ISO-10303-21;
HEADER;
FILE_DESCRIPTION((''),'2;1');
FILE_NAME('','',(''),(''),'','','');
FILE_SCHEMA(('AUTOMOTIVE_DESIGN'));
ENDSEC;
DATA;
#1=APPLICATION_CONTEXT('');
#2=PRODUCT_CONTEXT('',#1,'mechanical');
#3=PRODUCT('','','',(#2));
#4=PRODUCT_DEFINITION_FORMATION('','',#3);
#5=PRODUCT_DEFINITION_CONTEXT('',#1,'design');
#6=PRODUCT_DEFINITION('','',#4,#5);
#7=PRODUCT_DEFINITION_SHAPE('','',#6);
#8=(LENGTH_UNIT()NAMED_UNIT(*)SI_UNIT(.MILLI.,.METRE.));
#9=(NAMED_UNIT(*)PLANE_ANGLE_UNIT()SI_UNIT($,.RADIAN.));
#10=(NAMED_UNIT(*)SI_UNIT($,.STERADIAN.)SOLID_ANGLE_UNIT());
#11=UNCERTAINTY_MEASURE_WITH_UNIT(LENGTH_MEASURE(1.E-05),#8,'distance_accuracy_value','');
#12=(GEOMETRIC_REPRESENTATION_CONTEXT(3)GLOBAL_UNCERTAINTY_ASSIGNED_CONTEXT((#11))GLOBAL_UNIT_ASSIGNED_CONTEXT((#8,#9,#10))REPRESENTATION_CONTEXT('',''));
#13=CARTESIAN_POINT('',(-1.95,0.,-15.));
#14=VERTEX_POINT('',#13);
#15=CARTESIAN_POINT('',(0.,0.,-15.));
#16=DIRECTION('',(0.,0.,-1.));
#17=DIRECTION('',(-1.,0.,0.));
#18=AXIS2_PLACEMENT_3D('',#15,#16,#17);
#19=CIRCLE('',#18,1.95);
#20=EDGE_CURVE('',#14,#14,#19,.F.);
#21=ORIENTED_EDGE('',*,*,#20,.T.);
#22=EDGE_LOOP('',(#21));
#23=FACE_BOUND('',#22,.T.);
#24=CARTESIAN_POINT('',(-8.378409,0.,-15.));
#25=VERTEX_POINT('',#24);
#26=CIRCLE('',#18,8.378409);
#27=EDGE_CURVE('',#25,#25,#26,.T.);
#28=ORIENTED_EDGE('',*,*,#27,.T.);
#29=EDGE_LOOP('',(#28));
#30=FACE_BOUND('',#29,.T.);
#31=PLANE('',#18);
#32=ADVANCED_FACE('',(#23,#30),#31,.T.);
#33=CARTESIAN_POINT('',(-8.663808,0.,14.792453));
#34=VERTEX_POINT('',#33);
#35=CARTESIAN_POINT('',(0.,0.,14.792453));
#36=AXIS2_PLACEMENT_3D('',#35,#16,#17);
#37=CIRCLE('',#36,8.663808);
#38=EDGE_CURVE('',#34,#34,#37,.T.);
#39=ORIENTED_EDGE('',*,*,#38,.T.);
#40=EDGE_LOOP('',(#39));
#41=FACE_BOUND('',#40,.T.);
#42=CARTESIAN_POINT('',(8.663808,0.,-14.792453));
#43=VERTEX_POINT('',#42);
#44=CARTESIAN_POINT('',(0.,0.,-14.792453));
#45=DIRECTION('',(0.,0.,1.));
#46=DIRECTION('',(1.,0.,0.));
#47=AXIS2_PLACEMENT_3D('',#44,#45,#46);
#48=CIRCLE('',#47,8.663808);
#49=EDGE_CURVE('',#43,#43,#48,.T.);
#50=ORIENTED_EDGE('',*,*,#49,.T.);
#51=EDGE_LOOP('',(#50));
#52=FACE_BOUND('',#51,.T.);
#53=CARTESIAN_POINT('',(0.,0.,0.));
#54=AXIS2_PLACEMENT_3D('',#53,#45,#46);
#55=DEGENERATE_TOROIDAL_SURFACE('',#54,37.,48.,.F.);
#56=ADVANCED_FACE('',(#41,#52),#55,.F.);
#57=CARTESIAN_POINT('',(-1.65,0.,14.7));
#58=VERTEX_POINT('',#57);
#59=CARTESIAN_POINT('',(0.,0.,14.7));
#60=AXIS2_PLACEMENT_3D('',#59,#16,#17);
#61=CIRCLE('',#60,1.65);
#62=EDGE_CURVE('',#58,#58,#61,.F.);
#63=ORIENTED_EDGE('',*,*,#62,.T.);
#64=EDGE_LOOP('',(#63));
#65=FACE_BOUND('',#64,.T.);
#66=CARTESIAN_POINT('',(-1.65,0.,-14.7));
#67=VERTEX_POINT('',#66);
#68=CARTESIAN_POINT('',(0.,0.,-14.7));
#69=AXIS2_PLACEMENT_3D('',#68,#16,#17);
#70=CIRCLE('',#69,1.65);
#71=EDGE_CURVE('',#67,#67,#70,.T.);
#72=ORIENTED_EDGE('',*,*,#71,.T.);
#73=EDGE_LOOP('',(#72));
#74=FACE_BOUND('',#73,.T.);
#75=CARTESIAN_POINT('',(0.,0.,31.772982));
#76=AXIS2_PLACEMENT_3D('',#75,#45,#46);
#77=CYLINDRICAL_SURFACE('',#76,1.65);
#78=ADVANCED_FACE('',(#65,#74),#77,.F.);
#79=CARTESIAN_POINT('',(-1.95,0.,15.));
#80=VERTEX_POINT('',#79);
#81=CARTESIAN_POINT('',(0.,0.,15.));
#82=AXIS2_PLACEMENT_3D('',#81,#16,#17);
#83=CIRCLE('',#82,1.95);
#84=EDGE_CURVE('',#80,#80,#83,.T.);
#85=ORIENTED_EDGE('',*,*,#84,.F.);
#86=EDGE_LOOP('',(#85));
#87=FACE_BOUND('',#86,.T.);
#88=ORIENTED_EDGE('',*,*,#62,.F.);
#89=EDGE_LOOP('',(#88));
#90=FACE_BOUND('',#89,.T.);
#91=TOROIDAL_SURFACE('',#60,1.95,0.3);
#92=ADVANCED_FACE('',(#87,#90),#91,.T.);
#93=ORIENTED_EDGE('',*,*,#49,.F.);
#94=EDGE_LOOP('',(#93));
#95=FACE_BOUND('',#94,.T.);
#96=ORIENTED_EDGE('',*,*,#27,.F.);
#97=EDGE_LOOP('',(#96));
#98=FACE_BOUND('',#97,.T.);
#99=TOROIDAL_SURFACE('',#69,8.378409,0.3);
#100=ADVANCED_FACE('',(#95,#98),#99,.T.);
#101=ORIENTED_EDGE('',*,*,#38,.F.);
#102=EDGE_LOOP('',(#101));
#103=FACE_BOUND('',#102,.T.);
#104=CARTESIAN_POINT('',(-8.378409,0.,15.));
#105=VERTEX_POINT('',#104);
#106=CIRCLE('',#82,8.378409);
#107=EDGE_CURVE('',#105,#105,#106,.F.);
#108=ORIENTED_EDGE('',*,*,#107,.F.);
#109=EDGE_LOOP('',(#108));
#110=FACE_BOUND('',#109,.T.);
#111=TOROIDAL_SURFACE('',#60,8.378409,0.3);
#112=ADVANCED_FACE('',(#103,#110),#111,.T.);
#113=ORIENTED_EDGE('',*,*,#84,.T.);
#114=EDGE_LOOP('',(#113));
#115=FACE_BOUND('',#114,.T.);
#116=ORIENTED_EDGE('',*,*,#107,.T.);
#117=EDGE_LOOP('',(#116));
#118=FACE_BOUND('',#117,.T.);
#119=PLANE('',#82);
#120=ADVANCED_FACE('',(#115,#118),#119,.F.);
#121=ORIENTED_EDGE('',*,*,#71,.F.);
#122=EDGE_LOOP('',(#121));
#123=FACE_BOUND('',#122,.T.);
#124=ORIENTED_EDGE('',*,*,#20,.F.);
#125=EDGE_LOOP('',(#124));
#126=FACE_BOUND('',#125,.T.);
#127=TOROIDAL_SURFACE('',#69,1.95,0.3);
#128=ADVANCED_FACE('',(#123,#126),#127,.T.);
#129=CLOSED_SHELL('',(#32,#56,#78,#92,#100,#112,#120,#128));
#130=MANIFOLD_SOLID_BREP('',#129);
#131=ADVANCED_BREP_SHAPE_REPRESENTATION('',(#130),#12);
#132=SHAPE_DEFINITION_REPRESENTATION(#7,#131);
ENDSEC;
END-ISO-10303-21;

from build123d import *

# Parameters (mm, degrees)
VERRUNDUNG1_R = 0.3


with BuildPart() as part:
    # Skizze1 → Rotation3 (revolve)
    with BuildSketch(Plane(origin=(0, 0, 0), x_dir=(0, 0, -1), z_dir=(1, 0, 0)), mode=Mode.PRIVATE) as rotation3_sk:
        with BuildLine():
            ThreePointArc((15, 8.596052461), (0, 11), (-15, 8.596052461))
            Line((-15, 8.596052461), (-15, 1.65))
            Line((-15, 1.65), (15, 1.65))
            Line((15, 1.65), (15, 8.596052461))
        make_face()
    revolve(rotation3_sk.sketch.rotate(Axis((0, 0, 31.772981832), (0, 0, -1)), 90), axis=Axis((0, 0, 31.772981832), (0, 0, -1)))

    # Verrundung1
    verrundung1_edges = [part.edges().sort_by_distance(p)[0] for p in [
        (-1.65, 0, -15),
        (-1.65, 0, 15),
        (-8.596052461, 0, 15),
        (-8.596052461, 0, -15),
    ]]
    fillet(verrundung1_edges, radius=VERRUNDUNG1_R)


solid = part.part
